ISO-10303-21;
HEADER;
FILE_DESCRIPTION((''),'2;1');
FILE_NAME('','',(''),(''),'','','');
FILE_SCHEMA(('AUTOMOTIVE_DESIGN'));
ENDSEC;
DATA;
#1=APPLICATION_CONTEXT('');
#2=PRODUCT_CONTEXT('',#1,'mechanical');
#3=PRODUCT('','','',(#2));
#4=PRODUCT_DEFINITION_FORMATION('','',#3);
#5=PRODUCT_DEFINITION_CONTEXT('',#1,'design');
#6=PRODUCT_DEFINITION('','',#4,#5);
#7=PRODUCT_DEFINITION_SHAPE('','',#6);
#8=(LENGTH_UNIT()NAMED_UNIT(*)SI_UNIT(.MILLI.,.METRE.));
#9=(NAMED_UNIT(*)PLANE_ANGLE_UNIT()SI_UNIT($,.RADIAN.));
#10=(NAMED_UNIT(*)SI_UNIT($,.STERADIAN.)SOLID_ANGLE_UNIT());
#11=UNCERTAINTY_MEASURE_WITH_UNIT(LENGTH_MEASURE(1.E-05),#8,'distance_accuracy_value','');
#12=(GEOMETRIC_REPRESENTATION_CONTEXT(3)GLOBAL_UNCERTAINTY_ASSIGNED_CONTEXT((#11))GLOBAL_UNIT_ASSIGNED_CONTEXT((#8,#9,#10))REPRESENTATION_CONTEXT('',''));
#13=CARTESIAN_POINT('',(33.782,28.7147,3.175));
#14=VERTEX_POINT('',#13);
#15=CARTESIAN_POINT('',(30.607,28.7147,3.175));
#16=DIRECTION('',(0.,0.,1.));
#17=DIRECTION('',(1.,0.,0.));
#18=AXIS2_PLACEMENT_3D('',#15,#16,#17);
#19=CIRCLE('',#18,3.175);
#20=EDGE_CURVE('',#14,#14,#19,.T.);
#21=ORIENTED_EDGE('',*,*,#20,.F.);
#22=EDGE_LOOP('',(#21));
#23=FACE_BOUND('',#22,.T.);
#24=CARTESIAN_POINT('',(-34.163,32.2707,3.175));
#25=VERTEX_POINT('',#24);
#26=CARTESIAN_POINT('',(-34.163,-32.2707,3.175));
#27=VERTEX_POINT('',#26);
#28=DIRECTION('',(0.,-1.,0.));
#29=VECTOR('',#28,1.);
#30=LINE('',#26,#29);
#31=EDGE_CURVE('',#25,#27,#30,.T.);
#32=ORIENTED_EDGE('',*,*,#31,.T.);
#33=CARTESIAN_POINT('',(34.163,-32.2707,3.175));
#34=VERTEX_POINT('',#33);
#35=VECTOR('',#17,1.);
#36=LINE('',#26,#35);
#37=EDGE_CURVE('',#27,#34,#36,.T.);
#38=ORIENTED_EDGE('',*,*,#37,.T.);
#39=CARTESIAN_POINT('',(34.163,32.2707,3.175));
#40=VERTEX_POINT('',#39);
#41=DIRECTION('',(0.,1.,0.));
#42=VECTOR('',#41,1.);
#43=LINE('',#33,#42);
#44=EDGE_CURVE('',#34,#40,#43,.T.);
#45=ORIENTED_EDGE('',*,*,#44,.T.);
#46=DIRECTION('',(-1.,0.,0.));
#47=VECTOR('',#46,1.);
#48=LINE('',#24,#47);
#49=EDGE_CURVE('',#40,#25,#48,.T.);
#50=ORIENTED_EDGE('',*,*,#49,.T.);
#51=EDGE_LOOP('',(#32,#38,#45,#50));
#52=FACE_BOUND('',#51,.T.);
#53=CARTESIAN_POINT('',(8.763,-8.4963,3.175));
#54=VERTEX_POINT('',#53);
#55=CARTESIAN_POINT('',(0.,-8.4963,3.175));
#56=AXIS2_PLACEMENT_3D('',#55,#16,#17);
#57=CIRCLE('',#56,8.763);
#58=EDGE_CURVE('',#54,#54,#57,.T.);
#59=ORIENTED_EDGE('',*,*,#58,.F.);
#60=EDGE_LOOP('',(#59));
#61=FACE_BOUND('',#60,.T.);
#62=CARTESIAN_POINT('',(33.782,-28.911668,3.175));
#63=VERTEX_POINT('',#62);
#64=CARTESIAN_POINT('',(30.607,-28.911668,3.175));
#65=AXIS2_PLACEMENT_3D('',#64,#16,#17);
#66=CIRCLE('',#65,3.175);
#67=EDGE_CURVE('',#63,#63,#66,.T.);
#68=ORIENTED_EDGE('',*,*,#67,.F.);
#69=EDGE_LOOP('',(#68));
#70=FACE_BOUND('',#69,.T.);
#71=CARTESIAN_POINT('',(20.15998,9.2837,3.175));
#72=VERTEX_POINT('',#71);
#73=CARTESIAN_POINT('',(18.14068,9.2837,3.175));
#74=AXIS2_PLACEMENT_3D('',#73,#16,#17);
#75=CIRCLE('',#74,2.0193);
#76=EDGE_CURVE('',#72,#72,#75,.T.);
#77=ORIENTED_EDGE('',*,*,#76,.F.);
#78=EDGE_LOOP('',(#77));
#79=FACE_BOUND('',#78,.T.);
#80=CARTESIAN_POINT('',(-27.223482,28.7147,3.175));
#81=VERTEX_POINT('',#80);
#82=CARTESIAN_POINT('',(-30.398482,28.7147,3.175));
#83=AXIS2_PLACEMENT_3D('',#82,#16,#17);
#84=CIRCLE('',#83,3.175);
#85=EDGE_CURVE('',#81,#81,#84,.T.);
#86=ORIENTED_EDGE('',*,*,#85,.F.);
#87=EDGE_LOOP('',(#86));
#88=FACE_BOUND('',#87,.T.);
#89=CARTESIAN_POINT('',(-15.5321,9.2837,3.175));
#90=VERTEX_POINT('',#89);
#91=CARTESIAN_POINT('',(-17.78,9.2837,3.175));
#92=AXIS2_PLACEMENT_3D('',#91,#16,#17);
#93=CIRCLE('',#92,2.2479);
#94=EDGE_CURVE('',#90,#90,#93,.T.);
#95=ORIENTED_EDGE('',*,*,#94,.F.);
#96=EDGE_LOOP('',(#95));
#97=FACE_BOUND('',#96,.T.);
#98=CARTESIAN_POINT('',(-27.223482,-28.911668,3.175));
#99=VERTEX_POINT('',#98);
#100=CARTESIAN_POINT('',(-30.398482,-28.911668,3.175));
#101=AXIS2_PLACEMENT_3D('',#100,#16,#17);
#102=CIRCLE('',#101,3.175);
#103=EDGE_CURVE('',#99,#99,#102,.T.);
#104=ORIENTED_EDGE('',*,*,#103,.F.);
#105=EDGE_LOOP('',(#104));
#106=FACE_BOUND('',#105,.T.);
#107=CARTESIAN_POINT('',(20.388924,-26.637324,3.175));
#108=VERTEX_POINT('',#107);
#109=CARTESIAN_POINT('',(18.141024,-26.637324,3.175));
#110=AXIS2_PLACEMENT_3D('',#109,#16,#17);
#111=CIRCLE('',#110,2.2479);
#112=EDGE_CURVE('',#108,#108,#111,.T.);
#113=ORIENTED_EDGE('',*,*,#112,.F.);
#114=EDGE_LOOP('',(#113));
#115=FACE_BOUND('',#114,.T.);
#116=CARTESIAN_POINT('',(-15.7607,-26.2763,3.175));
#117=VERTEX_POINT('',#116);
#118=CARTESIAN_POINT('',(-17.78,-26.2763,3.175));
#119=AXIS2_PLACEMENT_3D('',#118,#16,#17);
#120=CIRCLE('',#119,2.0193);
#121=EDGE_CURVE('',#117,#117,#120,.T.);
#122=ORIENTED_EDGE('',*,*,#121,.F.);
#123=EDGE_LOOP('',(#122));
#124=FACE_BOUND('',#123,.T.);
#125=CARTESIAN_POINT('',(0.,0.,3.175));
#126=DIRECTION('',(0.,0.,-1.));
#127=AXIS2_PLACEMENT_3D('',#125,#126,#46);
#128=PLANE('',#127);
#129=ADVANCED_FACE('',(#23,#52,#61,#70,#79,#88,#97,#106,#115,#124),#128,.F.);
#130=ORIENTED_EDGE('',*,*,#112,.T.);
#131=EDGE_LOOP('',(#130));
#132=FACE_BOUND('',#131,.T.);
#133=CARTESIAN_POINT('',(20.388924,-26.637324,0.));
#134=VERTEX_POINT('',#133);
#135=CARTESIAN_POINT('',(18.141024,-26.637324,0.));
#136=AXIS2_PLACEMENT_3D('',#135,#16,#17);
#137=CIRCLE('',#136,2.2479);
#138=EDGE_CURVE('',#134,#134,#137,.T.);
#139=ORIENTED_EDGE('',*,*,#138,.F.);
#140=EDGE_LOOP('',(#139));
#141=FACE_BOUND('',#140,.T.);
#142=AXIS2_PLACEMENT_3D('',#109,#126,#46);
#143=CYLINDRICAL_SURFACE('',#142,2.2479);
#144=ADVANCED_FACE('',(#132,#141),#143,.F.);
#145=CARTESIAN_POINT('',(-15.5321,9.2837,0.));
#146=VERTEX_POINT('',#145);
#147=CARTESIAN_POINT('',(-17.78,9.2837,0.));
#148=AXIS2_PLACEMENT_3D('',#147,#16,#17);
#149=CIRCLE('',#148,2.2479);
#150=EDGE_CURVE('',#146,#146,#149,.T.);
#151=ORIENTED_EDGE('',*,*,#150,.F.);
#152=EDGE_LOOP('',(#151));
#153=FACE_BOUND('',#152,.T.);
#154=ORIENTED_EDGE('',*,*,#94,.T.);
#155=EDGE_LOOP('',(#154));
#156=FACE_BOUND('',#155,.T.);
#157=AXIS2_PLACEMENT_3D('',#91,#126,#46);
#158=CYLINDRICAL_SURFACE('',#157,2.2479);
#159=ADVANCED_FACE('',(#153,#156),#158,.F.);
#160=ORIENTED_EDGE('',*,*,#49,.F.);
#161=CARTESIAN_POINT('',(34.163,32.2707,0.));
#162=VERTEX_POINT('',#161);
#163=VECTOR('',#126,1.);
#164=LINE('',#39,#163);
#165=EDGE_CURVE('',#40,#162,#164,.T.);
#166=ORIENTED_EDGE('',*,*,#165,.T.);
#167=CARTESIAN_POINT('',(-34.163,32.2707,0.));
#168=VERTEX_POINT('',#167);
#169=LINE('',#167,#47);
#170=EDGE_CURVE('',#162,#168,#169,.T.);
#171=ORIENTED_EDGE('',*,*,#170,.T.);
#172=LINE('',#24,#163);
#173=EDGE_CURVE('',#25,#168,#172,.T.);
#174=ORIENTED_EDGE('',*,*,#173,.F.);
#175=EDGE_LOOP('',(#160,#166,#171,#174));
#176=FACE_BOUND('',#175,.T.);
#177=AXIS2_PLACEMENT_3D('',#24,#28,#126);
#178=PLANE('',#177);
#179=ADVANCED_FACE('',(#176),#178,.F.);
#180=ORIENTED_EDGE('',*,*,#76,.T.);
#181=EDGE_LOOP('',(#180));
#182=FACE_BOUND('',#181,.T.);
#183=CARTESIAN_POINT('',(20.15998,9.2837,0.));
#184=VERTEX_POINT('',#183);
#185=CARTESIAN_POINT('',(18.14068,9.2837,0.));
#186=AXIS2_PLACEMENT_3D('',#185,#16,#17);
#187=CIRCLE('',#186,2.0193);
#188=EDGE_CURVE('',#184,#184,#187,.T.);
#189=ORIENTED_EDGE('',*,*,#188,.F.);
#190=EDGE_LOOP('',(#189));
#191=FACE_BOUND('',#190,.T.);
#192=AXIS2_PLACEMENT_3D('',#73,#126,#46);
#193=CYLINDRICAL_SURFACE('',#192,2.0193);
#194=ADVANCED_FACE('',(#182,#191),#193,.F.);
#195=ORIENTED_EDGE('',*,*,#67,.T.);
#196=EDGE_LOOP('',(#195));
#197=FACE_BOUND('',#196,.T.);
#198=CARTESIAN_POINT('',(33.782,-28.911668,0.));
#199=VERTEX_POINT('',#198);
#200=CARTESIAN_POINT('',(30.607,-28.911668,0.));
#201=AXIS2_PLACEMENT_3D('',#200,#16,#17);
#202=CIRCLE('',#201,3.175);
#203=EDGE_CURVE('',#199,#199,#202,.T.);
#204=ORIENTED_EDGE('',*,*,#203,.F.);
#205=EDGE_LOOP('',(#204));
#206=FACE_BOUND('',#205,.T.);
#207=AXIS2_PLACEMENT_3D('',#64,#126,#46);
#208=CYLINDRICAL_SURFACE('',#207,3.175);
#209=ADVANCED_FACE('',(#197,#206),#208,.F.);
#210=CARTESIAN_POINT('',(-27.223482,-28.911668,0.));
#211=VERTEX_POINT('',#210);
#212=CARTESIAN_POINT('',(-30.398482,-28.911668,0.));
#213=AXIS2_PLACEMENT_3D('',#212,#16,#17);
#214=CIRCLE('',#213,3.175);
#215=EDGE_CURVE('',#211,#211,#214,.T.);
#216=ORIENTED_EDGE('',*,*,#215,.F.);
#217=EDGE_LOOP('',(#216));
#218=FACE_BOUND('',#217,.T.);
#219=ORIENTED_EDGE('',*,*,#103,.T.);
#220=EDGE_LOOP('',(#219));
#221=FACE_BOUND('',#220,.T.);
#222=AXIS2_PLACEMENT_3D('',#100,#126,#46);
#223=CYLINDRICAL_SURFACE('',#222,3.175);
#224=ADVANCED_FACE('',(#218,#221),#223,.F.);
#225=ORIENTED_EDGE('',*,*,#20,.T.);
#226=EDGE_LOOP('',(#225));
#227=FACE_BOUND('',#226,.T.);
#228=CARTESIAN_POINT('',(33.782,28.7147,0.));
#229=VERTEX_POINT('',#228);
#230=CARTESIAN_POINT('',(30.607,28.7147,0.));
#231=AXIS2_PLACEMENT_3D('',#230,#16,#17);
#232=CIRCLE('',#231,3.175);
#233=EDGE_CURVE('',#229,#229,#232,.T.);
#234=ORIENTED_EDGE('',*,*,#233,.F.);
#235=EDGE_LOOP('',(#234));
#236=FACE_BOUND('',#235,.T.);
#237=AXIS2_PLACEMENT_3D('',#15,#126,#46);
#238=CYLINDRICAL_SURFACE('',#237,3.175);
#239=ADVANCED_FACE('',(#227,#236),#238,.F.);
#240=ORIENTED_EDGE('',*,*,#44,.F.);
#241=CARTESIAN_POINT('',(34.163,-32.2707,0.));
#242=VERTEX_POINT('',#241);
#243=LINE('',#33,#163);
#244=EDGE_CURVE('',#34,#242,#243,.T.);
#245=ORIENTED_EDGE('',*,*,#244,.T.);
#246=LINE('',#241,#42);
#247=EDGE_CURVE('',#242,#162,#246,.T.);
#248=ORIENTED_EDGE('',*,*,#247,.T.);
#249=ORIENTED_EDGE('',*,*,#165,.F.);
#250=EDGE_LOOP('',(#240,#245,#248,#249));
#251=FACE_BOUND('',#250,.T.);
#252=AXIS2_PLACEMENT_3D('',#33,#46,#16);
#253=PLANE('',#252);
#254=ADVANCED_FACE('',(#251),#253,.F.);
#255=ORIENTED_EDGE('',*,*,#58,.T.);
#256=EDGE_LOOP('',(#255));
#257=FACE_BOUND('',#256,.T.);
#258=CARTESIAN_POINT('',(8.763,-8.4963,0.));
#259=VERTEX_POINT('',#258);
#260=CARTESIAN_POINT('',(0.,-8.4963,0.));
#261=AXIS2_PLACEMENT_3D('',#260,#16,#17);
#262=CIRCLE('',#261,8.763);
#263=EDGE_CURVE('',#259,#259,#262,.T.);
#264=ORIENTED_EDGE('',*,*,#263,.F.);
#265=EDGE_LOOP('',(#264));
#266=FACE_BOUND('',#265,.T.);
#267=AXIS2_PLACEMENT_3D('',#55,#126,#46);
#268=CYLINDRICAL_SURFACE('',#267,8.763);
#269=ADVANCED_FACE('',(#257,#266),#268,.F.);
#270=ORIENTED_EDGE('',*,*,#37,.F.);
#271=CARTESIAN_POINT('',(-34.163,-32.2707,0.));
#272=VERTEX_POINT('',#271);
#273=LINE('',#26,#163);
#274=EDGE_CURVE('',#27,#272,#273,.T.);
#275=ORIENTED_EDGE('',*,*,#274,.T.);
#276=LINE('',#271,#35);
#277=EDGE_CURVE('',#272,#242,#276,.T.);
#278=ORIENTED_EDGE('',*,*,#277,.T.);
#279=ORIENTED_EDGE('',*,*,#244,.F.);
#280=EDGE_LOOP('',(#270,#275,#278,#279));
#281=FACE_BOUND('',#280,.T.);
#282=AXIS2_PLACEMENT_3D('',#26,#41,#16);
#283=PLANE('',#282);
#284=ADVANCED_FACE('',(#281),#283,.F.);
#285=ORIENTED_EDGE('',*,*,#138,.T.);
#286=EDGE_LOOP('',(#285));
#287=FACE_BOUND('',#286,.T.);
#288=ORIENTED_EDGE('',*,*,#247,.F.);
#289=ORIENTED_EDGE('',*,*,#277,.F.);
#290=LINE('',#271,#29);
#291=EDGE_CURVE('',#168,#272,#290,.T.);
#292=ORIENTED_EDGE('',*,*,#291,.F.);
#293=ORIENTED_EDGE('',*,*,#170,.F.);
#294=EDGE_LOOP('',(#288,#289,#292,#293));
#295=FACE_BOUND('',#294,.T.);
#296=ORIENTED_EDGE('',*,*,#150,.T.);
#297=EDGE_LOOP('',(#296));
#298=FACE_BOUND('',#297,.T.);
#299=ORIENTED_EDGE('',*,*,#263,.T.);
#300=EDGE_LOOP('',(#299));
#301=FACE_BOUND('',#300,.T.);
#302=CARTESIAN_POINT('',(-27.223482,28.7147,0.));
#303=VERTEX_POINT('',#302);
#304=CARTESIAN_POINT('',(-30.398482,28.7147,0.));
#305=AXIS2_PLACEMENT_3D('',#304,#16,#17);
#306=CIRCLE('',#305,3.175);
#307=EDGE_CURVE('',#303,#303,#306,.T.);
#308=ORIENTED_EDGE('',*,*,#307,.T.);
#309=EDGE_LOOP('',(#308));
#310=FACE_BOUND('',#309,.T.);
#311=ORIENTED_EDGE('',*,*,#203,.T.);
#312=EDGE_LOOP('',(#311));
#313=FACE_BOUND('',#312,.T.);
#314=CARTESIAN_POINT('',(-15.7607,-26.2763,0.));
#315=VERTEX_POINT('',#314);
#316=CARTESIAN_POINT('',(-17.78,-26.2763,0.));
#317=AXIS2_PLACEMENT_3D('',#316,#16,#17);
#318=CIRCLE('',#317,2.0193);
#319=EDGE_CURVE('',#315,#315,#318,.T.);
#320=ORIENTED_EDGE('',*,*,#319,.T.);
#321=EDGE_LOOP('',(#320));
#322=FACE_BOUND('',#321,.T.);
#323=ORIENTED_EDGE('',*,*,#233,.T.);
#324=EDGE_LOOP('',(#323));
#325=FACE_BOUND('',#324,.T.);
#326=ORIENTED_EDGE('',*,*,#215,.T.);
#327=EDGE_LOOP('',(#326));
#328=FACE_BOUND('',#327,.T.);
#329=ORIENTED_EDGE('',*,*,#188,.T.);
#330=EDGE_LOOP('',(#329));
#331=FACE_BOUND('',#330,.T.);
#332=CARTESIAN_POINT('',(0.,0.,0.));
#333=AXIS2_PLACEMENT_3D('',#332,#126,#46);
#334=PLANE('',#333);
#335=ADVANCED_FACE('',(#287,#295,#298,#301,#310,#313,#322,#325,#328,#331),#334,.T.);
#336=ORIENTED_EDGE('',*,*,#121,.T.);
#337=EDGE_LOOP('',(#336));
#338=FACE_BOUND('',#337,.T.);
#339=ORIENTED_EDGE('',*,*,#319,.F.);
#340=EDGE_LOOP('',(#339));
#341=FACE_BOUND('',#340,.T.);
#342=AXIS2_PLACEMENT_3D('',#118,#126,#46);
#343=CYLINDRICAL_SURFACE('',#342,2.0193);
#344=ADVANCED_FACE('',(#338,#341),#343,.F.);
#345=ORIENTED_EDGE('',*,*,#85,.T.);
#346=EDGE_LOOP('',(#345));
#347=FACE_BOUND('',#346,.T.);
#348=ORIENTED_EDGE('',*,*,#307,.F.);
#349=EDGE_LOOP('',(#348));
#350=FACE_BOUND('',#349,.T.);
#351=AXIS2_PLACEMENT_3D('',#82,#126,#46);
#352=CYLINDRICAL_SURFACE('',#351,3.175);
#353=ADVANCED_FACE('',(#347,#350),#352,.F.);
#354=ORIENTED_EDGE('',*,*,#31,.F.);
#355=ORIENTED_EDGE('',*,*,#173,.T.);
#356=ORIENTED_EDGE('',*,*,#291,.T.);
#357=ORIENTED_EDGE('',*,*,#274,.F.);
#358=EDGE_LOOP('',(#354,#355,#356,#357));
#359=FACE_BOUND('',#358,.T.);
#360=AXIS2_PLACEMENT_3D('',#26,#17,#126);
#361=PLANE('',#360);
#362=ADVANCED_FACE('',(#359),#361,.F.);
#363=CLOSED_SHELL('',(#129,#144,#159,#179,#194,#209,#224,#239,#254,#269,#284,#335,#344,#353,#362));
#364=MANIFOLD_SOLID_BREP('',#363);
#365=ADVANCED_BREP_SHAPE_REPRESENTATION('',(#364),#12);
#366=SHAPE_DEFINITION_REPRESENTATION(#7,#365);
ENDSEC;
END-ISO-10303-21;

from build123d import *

# Parameters (mm, degrees)
SKETCH1_W           = 68.326
SKETCH1_H           = 64.5414
SKETCH1_R           = 2.0193
SKETCH1_R_2         = 2.2479
SKETCH1_R_3         = 8.763
SKETCH1_R_4         = 3.175
BOSS_EXTRUDE1_DEPTH = 3.175


with BuildPart() as part:
    # Sketch1 → Boss-Extrude1 (new body)
    with BuildSketch(Plane.XY):
        Rectangle(SKETCH1_W, SKETCH1_H)
        with Locations((-17.78, -26.2763)):
            Circle(SKETCH1_R, mode=Mode.SUBTRACT)
        with Locations((18.14068, 9.2837)):
            Circle(SKETCH1_R, mode=Mode.SUBTRACT)
        with Locations((-17.78, 9.2837)):
            Circle(SKETCH1_R_2, mode=Mode.SUBTRACT)
        with Locations((18.141024484, -26.637324484)):
            Circle(SKETCH1_R_2, mode=Mode.SUBTRACT)
        with Locations((0, -8.4963)):
            Circle(SKETCH1_R_3, mode=Mode.SUBTRACT)
        with Locations((-30.398482094, 28.7147)):
            Circle(SKETCH1_R_4, mode=Mode.SUBTRACT)
        with Locations((-30.398482094, -28.91166803)):
            Circle(SKETCH1_R_4, mode=Mode.SUBTRACT)
        with Locations((30.607, -28.91166803)):
            Circle(SKETCH1_R_4, mode=Mode.SUBTRACT)
        with Locations((30.607, 28.7147)):
            Circle(SKETCH1_R_4, mode=Mode.SUBTRACT)
    extrude(amount=BOSS_EXTRUDE1_DEPTH)


solid = part.part
